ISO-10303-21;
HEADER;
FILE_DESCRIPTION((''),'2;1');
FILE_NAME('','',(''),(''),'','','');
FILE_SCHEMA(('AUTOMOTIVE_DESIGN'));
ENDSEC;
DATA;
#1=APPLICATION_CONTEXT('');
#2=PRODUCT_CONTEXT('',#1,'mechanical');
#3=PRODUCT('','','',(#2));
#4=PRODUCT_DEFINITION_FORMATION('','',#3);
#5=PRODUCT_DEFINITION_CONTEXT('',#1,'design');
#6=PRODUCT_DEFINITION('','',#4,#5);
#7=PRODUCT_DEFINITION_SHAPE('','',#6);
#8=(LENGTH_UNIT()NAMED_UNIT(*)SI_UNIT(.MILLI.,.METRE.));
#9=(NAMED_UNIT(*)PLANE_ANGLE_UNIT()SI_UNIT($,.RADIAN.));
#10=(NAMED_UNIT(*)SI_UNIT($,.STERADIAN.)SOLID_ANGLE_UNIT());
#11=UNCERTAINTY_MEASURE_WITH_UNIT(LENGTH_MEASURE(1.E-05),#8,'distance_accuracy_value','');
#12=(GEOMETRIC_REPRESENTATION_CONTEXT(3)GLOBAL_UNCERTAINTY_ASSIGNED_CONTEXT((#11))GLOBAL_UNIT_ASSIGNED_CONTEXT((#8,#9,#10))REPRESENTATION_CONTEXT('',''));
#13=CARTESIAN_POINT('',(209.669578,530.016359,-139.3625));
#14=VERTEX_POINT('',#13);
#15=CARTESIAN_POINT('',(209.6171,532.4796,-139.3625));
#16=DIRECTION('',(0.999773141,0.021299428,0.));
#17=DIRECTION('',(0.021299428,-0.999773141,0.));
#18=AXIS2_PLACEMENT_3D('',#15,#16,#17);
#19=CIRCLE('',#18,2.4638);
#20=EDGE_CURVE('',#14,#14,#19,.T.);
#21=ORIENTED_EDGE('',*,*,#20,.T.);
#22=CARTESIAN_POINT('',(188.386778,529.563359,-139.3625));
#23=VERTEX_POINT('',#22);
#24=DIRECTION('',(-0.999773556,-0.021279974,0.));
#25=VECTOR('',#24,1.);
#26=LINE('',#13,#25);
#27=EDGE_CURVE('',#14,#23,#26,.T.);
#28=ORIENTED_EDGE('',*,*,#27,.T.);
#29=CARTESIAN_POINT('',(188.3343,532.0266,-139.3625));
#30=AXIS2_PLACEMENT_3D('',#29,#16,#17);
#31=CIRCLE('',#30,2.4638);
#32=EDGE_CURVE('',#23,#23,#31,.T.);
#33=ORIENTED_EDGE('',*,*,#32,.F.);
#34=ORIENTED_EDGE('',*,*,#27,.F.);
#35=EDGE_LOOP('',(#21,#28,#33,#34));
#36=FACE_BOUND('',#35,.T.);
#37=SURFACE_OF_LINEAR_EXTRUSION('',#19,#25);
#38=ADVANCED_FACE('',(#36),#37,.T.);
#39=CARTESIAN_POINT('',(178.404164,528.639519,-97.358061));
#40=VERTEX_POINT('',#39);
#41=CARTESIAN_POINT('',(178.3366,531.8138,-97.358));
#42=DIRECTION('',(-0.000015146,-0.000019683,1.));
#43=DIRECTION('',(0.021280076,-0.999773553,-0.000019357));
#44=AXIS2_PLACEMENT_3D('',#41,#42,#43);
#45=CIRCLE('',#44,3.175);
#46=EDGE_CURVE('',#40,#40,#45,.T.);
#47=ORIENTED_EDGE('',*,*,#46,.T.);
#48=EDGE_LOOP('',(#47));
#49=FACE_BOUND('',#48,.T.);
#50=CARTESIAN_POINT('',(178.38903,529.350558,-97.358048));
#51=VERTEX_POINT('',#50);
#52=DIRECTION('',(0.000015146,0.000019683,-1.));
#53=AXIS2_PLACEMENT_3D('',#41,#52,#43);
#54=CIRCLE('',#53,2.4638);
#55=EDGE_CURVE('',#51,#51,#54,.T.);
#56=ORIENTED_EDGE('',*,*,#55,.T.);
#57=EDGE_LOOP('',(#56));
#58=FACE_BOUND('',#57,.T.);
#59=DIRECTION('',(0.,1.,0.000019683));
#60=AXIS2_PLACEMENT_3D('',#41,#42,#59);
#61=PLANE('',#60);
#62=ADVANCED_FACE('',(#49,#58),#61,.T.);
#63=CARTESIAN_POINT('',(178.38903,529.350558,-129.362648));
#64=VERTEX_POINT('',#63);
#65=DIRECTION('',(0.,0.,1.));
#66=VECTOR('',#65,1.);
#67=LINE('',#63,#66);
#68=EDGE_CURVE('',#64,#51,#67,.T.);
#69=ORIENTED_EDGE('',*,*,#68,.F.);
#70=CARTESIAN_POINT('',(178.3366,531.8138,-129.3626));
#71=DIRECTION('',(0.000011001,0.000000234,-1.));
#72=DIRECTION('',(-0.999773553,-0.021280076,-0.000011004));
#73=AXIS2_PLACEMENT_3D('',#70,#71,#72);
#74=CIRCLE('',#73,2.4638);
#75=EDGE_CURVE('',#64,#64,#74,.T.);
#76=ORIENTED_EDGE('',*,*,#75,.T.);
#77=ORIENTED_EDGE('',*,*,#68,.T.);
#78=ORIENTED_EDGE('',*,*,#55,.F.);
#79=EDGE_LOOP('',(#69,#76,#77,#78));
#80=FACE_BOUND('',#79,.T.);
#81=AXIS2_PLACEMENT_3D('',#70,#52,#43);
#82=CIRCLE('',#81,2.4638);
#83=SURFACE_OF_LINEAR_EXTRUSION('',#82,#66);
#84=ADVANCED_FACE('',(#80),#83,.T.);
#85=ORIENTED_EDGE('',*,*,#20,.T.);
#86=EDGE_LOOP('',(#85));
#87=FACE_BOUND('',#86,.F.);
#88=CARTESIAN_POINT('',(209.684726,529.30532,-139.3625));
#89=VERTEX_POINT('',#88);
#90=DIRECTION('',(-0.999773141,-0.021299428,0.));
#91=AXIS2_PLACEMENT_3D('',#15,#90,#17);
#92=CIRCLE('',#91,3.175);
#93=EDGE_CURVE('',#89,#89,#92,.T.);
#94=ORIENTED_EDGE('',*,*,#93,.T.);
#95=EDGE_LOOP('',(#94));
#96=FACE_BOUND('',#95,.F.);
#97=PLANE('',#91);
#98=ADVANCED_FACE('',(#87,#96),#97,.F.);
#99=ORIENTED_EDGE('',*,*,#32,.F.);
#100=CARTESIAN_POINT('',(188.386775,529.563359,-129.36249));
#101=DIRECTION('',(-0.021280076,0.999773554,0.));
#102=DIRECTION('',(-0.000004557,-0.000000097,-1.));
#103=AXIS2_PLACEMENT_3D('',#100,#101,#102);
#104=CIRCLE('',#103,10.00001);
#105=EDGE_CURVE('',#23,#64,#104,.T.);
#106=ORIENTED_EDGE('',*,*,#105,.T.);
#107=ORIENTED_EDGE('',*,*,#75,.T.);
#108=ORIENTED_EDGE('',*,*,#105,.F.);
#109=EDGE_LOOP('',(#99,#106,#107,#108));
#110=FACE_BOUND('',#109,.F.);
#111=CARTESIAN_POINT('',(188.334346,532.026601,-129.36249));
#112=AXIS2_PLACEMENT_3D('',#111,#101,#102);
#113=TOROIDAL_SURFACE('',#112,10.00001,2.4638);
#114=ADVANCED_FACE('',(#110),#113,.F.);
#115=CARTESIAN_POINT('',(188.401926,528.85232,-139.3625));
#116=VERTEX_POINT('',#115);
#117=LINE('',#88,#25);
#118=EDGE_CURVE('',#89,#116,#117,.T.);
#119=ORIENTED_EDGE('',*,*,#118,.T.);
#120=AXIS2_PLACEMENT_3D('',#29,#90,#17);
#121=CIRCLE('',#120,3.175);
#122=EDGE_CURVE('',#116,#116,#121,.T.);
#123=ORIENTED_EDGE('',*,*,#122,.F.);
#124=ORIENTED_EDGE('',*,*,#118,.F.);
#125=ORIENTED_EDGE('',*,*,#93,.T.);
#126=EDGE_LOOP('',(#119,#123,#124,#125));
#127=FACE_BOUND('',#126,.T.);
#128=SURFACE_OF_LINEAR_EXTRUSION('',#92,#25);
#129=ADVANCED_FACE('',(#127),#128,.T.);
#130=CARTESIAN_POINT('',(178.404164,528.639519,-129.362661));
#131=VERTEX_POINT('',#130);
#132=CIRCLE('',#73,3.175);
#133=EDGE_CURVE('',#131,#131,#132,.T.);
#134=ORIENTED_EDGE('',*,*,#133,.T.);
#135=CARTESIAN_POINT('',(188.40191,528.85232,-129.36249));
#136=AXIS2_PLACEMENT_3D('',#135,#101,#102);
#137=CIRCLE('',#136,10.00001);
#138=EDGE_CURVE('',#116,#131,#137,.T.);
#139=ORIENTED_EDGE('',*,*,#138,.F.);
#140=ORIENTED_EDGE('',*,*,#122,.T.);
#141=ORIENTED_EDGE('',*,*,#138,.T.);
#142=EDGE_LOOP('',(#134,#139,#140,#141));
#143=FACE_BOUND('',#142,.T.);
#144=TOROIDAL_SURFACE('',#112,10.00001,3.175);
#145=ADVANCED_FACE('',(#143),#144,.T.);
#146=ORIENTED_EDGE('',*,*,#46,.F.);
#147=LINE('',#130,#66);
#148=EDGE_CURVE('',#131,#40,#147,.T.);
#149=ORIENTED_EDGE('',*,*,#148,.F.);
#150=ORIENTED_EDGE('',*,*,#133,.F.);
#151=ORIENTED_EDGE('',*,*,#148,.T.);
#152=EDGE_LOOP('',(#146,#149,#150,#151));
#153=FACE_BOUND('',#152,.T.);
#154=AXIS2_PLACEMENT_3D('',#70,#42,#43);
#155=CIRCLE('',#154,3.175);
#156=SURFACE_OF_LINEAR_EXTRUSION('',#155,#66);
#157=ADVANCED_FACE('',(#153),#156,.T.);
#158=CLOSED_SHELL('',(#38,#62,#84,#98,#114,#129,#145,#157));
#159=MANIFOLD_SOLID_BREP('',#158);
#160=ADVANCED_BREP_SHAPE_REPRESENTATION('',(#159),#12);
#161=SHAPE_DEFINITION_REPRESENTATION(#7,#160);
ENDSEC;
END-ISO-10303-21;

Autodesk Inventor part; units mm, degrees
ref_plane "YZ Plane" through (0, 0, 0) normal (1, 0, 0) x (0, 1, 0)
ref_plane "XZ Plane" through (0, 0, 0) normal (0, 1, 0) x (-1, 0, 0)
ref_plane "Work Plane3" through (209.6171, 532.4796, -139.3625) normal (-0.9998, -0.0213, 0) x (0.0213, -0.9998, 0)
sketch "Sketch3" plane through (209.6171, 532.4796, -139.3625) normal (-0.9998, -0.0213, 0) x (0.0213, -0.9998, 0)
  circle A0 centre (0, 0) radius 3.175
  circle A1 centre (0, 0) radius 2.4638
sketch3d "3D Sketch1"
  line L0 (209.6171, 532.4796, -139.3625) -> (188.3343, 532.0266, -139.3625)
  arc A0 (188.3343, 532.0266, -139.3625) -> (178.3366, 531.8138, -129.3626) centre (188.3343, 532.0266, -129.3626) ccw
  line L1 (178.3366, 531.8138, -129.3626) -> (178.3366, 531.8138, -97.358)
  dimension "d6" = 9.9999
sweep "Sweep1" add profiles "Sketch3" path "3D Sketch1"
equation "\"OD\" = 6.35"
equation "\"t\" = 0.7112"
equation "\"L\" = PL"
equation "\"ID\" = 4.9276"
equation "\"PL\" = 69.0118"
equation "\"D\" = 15.24"
equation "\"Size_Designation\" = 1.2345"
properties material "Stainless Steel"
